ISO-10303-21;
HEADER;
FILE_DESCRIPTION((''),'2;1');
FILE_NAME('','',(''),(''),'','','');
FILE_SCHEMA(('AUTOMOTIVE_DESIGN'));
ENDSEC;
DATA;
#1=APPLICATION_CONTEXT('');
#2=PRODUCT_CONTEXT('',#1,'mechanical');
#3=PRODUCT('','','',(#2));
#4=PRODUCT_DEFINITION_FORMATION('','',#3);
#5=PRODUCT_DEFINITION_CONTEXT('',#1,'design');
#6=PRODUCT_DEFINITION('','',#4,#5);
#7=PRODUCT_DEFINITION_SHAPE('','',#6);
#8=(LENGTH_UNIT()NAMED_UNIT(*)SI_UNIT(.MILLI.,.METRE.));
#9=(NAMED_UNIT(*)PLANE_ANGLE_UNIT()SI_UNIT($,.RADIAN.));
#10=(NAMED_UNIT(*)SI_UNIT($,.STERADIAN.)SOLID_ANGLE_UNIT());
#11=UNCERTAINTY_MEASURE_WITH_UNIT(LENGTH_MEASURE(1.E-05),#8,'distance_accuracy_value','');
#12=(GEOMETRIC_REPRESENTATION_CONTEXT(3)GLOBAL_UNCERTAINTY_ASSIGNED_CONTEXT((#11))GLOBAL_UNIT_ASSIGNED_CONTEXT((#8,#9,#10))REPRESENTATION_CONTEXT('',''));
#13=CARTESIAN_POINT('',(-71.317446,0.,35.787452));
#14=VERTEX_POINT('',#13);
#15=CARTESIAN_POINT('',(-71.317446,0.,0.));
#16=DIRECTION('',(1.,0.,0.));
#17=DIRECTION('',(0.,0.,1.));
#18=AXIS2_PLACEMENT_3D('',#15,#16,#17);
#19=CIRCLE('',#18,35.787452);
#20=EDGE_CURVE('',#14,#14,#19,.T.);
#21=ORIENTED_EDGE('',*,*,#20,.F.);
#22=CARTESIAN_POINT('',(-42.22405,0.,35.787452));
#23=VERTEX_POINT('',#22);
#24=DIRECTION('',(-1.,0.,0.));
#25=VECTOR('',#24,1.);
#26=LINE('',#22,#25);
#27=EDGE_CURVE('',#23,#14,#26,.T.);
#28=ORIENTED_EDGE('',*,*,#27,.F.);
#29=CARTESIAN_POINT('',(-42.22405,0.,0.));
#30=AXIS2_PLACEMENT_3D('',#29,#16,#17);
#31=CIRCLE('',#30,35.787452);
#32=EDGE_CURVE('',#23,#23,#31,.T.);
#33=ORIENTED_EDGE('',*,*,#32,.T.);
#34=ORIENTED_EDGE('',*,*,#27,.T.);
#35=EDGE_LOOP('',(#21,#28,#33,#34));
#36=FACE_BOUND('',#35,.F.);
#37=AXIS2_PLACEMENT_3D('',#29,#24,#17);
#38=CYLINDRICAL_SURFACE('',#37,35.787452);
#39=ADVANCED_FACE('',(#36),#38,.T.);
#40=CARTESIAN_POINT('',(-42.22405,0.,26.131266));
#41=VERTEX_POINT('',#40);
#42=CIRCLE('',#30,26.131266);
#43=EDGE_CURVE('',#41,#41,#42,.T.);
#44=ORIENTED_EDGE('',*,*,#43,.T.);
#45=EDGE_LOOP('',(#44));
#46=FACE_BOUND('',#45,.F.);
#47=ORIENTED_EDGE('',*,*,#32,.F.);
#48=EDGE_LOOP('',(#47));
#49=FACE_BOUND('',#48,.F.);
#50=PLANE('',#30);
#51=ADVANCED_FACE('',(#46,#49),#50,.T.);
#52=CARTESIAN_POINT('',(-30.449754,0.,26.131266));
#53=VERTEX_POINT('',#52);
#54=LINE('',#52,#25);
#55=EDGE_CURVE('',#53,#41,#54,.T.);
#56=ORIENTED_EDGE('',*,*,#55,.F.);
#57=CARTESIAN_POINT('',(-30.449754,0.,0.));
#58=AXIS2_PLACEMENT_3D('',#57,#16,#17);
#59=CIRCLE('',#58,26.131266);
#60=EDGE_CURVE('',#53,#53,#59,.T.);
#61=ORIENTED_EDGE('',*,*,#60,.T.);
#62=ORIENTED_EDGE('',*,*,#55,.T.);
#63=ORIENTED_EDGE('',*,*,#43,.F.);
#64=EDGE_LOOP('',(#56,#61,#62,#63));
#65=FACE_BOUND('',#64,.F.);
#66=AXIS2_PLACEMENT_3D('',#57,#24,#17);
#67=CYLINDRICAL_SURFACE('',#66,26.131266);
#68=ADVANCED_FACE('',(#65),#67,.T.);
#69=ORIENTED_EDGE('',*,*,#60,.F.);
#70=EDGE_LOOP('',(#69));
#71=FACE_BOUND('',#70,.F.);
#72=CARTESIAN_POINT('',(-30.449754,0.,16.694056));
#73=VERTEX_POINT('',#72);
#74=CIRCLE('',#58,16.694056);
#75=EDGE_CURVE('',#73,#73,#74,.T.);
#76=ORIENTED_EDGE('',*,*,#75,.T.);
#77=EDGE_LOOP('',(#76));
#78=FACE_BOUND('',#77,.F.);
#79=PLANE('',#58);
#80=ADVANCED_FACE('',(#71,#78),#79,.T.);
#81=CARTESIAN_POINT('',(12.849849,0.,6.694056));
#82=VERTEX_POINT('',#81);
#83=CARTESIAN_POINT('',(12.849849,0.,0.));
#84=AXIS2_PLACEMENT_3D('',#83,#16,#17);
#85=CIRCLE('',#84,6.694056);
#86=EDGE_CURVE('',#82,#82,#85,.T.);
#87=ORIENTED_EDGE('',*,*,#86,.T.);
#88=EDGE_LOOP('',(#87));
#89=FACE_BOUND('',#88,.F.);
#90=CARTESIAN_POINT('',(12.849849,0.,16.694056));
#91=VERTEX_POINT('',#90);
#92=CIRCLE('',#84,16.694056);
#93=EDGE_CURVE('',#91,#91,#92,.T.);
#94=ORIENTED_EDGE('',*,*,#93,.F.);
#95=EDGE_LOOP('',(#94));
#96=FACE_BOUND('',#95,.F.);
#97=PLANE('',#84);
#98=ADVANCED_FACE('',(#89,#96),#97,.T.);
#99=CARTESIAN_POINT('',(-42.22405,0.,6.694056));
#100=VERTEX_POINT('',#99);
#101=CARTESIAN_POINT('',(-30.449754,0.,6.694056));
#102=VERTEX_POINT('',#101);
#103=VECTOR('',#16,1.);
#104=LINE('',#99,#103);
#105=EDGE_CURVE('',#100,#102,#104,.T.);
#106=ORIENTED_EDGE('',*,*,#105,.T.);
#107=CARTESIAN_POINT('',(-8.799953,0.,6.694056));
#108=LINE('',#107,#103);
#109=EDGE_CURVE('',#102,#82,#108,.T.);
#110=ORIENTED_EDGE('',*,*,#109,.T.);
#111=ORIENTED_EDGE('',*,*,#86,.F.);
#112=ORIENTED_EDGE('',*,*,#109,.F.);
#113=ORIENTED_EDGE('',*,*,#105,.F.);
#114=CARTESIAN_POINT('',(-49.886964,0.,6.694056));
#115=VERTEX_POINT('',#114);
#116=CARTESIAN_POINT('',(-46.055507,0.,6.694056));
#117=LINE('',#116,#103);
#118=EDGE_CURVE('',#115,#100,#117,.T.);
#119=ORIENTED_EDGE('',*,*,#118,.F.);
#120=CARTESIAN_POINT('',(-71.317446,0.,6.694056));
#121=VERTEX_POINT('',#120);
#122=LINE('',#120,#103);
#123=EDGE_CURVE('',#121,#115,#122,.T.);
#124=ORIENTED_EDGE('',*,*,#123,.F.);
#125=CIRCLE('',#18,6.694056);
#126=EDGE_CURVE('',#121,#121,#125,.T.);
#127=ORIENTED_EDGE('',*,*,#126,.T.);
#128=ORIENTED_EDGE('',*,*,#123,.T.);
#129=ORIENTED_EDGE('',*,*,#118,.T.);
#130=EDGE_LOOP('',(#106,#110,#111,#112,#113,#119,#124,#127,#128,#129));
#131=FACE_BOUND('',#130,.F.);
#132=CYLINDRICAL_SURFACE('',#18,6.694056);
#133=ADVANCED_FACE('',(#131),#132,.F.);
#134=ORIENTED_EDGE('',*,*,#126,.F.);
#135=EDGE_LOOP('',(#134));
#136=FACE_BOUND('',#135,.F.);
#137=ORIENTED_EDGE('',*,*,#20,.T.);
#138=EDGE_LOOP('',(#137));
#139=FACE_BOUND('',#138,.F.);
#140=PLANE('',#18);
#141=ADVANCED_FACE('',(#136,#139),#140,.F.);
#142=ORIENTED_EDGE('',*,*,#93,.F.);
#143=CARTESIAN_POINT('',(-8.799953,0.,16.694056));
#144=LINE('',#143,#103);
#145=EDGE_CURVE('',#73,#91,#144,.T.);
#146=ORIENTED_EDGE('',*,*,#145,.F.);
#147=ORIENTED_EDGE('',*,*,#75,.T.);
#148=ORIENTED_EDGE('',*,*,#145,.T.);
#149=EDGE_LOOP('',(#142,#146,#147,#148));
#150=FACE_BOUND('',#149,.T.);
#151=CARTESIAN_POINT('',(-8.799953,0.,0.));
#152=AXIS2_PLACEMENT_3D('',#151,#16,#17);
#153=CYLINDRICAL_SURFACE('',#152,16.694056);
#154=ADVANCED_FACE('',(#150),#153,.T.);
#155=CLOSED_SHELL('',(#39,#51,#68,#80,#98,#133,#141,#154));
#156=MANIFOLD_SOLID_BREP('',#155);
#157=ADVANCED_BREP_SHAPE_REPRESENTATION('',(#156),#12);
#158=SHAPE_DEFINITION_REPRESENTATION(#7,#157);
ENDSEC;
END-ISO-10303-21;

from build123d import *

# Parameters (mm, degrees)
F0_W   = 7.6629137923
F0_H   = 19.4372095666
F0_W_2 = 6.7003971975
F0_H_2 = 10
F0_W_3 = 43.2996028025


with BuildPart() as f1:
    # F0 (on Front) → F1 (revolve)
    with BuildSketch(Plane.XZ):
        Polygon((-71.3174460098, 35.7874520804), (-71.3174460098, 6.6940559655), (-49.8869636872, 6.6940559655), (-49.8869636872, 26.131265532), (-42.2240498949, 26.131265532), (-42.2240498949, 35.7874520804), align=None)
        with Locations((-46.055506791, 16.4126607487)):
            Rectangle(F0_W, F0_H)
        Polygon((-42.2240498949, 26.131265532), (-42.2240498949, 6.6940559655), (-37.1501513181, 6.6940559655), (-37.1501513181, 16.6940559655), (-30.4497541206, 16.6940559655), (-30.4497541206, 26.131265532), align=None)
        with Locations((-33.7999527193, 11.6940559655)):
            Rectangle(F0_W_2, F0_H_2)
        with Locations((-8.7999527193, 11.6940559655)):
            Rectangle(F0_W_3, F0_H_2)
    revolve(axis=Axis((-1.1585881088, 0, 0), (1, 0, 0)))


solid = f1.part
